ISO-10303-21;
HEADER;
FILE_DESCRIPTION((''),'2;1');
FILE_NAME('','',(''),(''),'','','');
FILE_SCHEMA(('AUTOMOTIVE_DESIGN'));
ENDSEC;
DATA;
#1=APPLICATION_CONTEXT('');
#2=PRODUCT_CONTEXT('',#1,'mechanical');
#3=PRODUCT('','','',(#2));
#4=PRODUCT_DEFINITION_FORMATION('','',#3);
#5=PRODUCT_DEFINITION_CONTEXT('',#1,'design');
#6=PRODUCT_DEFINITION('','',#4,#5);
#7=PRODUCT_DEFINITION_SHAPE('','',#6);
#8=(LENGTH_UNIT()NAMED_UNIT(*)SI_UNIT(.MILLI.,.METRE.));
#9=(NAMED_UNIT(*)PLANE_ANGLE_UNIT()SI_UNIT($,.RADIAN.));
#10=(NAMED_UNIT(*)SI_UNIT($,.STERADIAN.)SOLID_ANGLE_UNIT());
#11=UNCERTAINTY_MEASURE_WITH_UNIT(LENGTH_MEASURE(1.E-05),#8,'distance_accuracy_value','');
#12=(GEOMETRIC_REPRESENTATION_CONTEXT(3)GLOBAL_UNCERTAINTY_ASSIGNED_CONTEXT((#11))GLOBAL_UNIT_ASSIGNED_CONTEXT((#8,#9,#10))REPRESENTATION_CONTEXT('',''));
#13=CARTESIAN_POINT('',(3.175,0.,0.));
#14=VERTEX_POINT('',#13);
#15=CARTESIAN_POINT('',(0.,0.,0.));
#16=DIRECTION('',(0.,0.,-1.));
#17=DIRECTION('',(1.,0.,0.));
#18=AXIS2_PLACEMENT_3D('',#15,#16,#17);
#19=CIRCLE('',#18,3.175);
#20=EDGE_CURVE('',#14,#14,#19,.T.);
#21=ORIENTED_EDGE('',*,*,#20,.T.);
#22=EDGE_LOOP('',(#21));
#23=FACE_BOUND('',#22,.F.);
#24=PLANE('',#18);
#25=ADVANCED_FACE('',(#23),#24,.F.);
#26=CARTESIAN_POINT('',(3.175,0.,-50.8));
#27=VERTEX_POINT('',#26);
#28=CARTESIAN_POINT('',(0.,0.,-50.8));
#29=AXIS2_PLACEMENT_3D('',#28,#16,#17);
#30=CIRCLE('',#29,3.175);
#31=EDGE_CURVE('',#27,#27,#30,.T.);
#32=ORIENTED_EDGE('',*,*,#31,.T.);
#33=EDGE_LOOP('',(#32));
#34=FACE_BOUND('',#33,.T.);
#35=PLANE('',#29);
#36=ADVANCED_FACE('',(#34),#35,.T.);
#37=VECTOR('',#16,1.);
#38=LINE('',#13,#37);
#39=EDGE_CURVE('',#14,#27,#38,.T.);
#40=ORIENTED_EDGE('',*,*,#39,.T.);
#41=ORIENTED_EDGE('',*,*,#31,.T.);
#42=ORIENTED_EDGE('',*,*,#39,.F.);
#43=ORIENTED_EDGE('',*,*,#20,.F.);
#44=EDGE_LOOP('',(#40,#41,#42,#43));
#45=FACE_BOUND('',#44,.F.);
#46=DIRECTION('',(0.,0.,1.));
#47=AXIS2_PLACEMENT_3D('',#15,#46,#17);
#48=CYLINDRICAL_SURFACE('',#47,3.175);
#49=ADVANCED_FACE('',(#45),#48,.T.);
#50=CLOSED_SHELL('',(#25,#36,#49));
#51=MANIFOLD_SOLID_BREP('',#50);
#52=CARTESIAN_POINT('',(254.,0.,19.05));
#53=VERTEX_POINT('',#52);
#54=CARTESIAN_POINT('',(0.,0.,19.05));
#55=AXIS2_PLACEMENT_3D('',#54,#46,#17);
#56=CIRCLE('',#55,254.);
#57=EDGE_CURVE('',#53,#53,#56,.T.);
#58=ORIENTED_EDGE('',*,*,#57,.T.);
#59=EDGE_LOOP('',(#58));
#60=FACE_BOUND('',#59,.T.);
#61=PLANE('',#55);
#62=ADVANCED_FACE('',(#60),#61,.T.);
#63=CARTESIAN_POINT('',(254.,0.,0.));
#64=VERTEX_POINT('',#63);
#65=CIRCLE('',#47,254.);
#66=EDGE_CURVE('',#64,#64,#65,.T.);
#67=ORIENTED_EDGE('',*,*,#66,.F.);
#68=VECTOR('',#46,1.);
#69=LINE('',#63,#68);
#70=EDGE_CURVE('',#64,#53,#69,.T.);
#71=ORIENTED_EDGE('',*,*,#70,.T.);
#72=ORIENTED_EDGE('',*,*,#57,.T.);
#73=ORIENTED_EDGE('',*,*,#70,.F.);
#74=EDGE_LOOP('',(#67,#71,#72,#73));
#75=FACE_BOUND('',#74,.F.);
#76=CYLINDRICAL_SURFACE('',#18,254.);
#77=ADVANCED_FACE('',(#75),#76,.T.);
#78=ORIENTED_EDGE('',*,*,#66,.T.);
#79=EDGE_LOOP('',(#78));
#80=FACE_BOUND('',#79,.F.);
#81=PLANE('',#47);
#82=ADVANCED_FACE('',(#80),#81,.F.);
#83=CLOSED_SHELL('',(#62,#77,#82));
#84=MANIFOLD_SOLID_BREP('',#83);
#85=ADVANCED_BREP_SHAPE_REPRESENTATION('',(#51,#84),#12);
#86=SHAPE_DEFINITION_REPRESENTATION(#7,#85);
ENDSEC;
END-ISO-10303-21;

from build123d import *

# Parameters (mm, degrees)
F0_R     = 254
F1_DEPTH = 19.05
F2_R     = 3.175
F3_DEPTH = 50.8


with BuildPart() as f1:
    # F0 (on Top) → F1 (new body)
    with BuildSketch(Plane.XY):
        Circle(F0_R)
    extrude(amount=F1_DEPTH)


with BuildPart() as f3:
    # F2 (on face) → F3 (new body)
    with BuildSketch(Plane(origin=(0, 0, 0), x_dir=(1, 0, 0), z_dir=(0, 0, -1))):
        Circle(F2_R)
    extrude(amount=F3_DEPTH)


solid = Compound([f1.part, f3.part])
